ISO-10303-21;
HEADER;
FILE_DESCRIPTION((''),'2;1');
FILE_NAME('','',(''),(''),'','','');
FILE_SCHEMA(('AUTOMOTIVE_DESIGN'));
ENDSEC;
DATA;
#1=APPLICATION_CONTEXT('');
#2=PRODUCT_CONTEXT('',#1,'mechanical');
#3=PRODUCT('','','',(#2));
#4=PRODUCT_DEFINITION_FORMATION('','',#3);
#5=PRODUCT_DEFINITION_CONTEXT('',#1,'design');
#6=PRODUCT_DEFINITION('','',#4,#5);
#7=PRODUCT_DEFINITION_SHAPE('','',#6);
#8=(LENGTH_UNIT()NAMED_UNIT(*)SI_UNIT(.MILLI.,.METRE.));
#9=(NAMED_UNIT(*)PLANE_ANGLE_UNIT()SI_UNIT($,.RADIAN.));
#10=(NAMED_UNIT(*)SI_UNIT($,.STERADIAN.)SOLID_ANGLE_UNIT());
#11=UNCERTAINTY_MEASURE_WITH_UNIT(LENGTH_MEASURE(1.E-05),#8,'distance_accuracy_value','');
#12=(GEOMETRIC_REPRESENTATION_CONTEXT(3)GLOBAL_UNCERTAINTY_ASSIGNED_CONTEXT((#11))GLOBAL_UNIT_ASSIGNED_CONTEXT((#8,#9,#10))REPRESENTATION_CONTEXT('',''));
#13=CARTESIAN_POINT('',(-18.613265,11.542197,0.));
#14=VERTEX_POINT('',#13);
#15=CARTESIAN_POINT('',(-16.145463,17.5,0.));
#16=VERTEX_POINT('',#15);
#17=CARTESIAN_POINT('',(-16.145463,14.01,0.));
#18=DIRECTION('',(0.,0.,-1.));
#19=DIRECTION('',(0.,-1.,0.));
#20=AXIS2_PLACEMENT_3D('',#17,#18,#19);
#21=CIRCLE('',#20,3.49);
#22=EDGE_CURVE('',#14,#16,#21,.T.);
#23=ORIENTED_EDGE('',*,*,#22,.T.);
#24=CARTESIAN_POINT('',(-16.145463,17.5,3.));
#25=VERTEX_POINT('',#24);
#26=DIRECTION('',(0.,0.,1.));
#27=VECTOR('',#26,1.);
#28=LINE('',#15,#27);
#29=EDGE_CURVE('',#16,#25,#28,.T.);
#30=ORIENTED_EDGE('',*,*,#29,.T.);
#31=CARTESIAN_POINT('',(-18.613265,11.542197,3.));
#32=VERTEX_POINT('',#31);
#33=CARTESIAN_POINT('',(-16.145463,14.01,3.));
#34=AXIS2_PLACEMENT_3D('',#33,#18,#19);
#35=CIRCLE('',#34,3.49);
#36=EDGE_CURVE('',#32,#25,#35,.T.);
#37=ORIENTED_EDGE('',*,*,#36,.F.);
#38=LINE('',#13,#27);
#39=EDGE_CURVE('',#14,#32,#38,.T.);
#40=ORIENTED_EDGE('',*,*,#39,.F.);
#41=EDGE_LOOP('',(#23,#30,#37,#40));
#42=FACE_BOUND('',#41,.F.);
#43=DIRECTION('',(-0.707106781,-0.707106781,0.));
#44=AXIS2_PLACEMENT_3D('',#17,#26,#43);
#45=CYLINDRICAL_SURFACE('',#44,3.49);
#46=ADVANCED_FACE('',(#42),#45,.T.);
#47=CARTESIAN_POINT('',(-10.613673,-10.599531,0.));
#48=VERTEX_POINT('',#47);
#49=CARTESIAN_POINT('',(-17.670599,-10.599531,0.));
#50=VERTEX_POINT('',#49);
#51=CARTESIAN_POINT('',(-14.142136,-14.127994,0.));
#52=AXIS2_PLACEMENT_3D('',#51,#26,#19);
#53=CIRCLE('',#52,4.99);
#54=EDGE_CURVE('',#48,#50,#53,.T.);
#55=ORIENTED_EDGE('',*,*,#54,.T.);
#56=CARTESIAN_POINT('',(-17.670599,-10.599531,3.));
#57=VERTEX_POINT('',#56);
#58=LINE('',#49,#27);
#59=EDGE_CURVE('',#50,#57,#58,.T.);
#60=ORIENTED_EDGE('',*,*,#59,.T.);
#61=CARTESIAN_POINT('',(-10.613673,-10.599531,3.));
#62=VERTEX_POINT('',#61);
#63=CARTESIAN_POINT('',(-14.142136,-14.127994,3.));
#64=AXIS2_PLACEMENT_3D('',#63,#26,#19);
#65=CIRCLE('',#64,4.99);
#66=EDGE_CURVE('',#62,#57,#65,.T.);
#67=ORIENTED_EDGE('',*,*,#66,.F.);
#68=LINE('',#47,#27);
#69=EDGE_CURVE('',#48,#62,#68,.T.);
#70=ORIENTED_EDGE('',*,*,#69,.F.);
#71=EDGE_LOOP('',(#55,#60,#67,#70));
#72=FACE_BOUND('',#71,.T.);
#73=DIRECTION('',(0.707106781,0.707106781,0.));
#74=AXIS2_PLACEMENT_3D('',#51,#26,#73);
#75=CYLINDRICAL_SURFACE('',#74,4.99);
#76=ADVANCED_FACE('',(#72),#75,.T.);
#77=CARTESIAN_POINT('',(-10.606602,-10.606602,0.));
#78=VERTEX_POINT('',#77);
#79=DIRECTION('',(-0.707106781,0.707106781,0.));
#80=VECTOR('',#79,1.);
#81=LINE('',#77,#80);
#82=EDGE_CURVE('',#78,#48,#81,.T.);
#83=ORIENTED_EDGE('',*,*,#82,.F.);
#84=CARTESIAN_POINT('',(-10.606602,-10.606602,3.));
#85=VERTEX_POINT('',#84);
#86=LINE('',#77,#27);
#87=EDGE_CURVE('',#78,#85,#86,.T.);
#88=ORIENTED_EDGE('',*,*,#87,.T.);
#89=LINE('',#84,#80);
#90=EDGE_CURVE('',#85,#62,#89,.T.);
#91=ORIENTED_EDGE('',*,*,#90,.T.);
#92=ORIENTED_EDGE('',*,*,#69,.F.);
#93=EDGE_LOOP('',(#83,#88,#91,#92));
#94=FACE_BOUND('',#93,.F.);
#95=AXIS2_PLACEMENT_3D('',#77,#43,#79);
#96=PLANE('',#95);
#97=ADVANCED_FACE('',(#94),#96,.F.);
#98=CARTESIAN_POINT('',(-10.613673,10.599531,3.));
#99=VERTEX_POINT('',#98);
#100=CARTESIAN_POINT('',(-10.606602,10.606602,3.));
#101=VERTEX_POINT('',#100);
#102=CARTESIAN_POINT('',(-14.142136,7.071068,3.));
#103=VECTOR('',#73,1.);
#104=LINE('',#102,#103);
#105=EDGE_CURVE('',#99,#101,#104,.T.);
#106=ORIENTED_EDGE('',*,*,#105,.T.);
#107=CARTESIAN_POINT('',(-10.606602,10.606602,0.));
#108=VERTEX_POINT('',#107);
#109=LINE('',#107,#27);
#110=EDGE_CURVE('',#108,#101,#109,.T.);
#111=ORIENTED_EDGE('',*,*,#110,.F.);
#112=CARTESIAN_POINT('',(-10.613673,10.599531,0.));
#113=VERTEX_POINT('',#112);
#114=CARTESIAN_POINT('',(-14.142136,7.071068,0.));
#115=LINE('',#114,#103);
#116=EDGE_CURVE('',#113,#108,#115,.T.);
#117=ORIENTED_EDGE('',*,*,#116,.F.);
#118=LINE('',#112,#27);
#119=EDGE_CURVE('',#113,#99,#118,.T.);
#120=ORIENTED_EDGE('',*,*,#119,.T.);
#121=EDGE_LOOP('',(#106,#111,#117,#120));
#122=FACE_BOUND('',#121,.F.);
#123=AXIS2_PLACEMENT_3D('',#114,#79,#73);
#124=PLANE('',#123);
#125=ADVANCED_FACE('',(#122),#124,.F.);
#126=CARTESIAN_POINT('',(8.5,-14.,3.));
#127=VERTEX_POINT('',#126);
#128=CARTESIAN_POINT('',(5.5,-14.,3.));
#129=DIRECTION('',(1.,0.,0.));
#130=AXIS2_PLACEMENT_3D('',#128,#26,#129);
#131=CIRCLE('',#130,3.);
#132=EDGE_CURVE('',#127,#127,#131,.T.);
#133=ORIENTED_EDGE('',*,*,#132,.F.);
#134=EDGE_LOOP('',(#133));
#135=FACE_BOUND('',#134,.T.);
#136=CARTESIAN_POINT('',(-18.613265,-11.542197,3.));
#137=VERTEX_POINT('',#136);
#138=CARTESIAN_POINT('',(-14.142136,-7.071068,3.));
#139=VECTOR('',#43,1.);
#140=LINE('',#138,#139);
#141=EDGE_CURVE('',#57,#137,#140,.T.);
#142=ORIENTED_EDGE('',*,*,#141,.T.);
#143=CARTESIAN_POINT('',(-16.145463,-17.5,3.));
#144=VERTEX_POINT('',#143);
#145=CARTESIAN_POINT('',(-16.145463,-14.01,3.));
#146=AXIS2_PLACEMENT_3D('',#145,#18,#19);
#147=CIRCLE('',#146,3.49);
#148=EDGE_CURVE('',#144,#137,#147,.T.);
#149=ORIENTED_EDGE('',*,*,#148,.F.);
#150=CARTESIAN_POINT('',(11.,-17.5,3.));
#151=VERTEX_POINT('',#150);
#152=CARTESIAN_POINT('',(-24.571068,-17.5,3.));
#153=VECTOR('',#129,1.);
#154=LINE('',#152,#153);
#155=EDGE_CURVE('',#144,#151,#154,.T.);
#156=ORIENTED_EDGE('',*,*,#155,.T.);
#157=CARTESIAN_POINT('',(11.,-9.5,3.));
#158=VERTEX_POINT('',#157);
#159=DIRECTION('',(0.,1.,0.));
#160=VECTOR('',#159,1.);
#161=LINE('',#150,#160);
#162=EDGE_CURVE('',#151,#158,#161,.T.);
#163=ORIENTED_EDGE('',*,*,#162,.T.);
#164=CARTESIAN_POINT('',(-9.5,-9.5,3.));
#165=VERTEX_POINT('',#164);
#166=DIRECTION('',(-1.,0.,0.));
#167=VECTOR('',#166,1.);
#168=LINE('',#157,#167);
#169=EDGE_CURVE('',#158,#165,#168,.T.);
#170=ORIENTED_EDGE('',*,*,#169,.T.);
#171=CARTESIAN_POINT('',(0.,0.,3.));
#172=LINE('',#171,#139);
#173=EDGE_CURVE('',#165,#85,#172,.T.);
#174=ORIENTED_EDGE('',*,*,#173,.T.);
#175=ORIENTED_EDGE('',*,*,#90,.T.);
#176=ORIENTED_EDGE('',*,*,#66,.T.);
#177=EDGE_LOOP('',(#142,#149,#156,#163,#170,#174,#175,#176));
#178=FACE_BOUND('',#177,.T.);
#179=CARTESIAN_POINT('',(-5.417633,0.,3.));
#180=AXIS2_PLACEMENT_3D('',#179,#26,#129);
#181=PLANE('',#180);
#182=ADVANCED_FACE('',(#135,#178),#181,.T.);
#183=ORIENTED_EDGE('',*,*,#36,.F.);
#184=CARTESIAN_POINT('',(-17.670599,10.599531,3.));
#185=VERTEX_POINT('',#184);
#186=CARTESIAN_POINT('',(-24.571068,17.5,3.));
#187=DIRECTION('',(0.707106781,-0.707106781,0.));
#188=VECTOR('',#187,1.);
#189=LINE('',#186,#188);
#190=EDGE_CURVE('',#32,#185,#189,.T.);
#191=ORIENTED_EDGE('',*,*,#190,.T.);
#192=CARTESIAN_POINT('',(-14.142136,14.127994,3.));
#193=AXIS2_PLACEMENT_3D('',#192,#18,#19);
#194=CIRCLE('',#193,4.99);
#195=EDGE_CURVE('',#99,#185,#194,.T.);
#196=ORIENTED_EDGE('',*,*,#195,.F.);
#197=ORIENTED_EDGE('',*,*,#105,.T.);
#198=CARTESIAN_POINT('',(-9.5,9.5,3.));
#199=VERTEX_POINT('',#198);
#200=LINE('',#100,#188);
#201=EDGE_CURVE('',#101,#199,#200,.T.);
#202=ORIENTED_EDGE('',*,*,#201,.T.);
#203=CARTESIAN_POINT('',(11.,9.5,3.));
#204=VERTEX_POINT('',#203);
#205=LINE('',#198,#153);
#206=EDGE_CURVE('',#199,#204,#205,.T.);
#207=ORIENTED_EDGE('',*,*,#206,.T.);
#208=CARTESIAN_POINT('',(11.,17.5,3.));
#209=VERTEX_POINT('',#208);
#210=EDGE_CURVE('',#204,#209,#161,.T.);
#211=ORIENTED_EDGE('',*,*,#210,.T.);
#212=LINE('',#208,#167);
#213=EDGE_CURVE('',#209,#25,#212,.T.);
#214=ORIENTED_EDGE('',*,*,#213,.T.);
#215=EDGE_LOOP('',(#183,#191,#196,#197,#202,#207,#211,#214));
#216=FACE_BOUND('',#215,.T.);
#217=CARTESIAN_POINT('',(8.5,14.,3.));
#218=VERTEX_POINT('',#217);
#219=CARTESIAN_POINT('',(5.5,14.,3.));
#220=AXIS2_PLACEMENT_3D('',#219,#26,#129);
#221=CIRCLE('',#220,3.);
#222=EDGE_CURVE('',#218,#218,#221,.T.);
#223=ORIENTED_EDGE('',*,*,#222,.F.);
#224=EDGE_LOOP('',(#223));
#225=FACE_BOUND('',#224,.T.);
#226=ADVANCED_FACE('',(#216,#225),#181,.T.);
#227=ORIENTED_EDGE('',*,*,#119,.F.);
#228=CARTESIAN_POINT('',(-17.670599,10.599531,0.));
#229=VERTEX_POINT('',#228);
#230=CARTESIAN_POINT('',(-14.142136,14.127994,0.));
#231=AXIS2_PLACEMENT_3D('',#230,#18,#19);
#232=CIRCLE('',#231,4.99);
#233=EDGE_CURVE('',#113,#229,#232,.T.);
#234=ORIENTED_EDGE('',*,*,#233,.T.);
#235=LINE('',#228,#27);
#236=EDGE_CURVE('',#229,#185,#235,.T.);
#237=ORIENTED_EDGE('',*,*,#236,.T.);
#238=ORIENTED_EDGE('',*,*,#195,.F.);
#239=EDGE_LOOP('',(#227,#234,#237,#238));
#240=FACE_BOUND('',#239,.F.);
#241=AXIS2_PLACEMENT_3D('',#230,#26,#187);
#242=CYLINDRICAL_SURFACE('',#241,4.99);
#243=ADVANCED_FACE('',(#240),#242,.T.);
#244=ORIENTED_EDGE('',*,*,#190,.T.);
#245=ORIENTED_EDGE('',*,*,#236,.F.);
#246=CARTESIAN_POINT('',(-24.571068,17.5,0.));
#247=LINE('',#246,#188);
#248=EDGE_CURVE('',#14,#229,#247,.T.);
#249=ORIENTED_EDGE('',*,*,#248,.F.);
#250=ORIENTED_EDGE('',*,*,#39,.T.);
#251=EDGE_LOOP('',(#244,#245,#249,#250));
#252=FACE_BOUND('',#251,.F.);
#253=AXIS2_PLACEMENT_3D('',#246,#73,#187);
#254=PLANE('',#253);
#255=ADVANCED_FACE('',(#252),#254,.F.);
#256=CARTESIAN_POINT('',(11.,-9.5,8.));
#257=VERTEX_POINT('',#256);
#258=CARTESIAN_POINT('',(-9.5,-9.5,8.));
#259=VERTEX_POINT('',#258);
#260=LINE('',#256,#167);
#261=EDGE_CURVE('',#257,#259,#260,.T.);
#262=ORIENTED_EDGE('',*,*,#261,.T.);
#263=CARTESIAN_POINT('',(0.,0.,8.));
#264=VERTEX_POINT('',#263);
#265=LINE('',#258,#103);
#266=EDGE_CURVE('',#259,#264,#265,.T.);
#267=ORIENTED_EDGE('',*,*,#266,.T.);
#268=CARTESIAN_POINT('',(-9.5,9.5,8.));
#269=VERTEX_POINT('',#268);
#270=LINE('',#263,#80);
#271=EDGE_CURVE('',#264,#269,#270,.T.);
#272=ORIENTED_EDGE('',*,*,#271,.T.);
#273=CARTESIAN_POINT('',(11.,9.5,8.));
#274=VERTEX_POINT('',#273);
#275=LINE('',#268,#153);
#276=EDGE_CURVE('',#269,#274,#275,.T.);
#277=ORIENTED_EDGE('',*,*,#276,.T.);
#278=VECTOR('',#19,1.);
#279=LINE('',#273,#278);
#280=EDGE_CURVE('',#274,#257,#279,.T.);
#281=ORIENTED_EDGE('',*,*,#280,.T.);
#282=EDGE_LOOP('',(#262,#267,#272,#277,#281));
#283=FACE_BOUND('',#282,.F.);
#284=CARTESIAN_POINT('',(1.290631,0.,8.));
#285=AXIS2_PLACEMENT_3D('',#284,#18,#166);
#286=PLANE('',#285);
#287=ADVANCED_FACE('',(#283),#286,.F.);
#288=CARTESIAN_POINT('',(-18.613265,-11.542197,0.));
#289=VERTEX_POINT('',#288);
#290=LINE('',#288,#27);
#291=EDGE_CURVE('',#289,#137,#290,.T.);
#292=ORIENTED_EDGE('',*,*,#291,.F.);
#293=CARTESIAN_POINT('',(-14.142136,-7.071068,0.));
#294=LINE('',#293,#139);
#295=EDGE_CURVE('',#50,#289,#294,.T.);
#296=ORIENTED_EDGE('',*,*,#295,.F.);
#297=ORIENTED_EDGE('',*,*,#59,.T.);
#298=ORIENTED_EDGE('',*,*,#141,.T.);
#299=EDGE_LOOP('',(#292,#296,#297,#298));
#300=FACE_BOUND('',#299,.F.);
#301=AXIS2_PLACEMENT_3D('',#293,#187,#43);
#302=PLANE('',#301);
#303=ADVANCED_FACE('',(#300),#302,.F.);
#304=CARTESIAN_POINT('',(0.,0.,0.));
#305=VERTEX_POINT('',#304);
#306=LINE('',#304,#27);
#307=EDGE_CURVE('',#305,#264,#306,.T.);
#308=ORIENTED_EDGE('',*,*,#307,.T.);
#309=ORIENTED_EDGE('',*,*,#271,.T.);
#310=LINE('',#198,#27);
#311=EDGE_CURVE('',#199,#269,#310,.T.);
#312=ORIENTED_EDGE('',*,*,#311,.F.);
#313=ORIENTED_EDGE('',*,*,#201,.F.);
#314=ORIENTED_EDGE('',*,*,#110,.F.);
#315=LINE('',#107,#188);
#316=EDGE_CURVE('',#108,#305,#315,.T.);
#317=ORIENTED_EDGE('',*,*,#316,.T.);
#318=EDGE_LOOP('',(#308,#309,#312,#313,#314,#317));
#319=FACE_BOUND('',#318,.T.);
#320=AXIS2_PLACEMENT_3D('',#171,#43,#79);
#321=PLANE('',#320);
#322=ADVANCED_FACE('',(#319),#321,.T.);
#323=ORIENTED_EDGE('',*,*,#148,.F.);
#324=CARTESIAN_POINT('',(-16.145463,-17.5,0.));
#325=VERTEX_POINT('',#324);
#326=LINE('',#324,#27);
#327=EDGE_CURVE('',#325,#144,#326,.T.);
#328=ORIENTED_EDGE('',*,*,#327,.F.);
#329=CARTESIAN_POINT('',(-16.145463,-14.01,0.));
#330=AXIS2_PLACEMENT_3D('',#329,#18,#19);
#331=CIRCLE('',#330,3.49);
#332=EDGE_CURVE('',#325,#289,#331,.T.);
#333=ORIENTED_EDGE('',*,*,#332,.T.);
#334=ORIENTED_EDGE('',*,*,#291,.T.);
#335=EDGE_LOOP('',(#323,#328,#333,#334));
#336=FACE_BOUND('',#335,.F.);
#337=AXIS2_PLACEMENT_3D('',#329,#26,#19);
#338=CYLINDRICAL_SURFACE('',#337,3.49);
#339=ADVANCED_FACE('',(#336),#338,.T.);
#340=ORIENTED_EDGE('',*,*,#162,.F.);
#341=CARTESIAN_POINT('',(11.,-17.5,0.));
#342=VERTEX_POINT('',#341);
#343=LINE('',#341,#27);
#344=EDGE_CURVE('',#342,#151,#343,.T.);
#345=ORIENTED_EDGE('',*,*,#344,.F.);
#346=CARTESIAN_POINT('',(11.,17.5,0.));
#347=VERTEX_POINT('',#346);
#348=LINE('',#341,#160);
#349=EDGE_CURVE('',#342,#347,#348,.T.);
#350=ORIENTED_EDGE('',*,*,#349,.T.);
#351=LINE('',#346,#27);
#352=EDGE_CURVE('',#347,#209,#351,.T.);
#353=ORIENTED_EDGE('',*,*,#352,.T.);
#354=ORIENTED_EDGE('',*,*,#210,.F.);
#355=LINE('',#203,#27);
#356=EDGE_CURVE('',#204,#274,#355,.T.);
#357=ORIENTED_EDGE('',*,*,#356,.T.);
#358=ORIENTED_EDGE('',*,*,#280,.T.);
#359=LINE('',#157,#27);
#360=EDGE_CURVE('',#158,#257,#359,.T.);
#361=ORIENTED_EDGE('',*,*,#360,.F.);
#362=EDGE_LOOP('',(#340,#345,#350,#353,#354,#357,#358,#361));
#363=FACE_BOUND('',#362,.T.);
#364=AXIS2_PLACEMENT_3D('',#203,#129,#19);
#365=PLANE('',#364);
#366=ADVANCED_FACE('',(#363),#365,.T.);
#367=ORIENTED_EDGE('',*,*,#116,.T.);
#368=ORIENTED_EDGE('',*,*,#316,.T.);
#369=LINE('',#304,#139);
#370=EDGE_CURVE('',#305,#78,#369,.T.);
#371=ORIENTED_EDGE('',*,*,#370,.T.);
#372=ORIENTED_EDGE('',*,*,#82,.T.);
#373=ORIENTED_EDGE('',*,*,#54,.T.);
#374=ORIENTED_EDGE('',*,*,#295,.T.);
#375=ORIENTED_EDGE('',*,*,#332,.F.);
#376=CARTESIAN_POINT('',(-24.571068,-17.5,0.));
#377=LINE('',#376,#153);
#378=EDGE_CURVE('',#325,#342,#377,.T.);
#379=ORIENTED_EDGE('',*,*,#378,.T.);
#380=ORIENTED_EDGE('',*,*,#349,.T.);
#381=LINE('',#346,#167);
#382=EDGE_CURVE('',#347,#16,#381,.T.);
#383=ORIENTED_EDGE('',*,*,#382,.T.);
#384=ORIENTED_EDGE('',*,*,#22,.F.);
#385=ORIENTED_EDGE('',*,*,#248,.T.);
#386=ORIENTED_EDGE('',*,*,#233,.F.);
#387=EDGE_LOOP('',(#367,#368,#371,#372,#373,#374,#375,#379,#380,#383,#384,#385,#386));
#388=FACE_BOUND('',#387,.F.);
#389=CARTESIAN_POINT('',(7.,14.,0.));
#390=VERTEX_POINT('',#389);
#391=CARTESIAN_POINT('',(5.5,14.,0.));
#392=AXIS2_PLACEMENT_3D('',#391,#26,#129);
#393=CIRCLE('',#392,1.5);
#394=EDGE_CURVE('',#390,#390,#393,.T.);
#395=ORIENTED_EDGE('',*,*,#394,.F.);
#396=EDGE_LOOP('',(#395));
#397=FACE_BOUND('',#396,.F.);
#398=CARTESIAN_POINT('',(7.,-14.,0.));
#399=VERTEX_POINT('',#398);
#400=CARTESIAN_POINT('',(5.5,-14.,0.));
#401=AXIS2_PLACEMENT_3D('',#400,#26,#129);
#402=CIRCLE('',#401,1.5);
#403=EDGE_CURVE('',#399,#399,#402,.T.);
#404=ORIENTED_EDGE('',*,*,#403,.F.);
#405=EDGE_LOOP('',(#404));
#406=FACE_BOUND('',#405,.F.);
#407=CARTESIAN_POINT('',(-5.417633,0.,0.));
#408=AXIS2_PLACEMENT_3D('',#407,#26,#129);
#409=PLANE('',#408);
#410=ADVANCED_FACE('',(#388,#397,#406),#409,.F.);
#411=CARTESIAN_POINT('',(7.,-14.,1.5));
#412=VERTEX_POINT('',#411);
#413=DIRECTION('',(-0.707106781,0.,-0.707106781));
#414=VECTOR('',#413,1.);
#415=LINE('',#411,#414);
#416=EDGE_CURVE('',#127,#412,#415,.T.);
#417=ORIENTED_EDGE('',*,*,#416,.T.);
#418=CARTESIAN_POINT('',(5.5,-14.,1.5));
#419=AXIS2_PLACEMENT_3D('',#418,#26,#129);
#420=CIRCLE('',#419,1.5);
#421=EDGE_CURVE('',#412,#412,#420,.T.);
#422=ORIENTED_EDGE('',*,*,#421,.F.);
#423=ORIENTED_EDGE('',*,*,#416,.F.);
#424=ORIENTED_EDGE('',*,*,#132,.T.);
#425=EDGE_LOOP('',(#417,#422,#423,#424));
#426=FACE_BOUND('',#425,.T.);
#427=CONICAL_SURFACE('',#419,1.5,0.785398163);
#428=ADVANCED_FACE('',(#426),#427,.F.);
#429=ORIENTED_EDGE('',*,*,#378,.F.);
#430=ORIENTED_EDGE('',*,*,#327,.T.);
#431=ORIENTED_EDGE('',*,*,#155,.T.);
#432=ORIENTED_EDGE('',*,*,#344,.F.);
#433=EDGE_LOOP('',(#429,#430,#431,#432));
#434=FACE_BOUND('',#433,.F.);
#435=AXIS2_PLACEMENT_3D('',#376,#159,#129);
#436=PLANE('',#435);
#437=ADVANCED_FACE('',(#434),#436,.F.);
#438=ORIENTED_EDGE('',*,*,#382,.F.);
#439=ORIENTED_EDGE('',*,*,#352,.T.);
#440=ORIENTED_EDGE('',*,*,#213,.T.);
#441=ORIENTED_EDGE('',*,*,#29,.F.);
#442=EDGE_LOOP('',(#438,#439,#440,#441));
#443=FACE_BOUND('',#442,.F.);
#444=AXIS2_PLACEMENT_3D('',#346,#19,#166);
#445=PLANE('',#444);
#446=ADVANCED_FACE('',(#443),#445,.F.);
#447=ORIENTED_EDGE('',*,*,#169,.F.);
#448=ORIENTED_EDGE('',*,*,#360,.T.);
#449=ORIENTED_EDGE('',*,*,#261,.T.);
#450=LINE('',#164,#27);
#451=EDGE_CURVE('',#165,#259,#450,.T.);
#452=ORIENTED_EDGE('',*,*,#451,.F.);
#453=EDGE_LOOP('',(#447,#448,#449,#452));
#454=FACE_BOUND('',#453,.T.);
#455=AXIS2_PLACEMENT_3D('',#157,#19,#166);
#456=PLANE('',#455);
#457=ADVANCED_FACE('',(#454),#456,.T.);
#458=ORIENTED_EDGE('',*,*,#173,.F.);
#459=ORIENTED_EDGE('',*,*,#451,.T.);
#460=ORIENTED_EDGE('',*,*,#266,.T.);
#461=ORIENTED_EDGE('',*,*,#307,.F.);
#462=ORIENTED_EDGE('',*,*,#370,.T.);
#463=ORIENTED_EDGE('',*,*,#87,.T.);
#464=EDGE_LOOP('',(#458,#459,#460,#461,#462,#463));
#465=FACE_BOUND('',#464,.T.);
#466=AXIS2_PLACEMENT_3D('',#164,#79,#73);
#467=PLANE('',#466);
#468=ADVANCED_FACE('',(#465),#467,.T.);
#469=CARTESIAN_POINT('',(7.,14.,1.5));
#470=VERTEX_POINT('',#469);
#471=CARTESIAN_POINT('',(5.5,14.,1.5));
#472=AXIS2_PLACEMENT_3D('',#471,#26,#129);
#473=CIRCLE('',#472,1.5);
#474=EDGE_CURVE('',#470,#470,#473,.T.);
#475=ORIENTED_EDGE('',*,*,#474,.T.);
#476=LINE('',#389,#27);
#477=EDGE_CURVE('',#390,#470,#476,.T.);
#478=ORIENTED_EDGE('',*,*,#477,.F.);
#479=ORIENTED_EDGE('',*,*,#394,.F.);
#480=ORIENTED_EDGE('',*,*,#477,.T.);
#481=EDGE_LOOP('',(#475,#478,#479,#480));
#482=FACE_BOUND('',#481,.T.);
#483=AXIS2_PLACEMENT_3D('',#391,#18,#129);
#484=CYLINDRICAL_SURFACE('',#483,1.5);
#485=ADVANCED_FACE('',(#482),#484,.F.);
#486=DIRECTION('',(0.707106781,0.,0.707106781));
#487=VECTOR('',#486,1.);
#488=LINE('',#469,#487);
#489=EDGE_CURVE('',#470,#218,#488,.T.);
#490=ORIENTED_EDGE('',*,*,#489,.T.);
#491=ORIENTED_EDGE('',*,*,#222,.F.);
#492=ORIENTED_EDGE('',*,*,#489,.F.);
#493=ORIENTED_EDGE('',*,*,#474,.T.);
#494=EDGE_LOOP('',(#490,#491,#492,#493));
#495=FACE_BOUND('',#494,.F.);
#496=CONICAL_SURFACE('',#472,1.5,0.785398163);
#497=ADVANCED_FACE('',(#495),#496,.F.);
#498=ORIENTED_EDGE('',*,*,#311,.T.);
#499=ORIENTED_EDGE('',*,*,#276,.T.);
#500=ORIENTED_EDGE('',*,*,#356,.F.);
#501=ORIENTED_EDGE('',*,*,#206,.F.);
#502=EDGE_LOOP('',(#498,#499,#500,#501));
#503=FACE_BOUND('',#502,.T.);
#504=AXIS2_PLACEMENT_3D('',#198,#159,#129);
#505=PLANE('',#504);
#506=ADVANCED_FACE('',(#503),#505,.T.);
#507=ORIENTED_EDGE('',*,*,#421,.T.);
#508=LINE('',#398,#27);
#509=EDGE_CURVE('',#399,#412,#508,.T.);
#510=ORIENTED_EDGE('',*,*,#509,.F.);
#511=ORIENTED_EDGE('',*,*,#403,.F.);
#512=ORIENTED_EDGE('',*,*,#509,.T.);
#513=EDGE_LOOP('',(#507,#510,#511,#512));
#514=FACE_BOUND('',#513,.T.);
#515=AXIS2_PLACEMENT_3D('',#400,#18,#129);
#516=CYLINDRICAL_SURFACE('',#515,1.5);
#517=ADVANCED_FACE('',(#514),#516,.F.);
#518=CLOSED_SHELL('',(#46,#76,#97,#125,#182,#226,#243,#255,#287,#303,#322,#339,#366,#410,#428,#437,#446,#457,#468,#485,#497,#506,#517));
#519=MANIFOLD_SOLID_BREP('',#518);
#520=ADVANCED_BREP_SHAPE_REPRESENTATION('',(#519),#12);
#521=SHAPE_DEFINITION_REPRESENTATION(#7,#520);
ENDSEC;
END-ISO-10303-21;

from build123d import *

# Parameters (mm, degrees)
SKETCH_R     = 1.5
PAD_DEPTH    = 3
FILLET_R     = 4.99
FILLET001_R  = 3.49
PAD001_DEPTH = 5
CHAMFER_SIZE = 1.5


with BuildPart() as part:
    # Sketch → Pad (new body)
    with BuildSketch(Plane.XY):
        Polygon((-10.606602, 10.606602), (0, 0), (-10.606602, -10.606602), (-14.142136, -7.071068), (-24.571068, -17.5), (11, -17.5), (11, 17.5), (-24.571068, 17.5), (-14.142136, 7.071068), align=None)
        with Locations((5.5, 14)):
            Circle(SKETCH_R, mode=Mode.SUBTRACT)
        with Locations((5.5, -14)):
            Circle(SKETCH_R, mode=Mode.SUBTRACT)
    extrude(amount=PAD_DEPTH)

    # Fillet
    fillet_edges = [part.edges().sort_by_distance(p)[0] for p in [
        (-14.142136, -7.071068, 1.5),
        (-14.142136, 7.071068, 1.5),
    ]]
    fillet(fillet_edges, radius=FILLET_R)

    # Fillet001
    fillet001_edges = [part.edges().sort_by_distance(p)[0] for p in [
        (-24.571068, -17.5, 1.5),
        (-24.571068, 17.5, 1.5),
    ]]
    fillet(fillet001_edges, radius=FILLET001_R)

    # Sketch001 (on Face17 of Fillet001) → Pad001 (join)
    with BuildSketch(Plane.XY.offset(3)):
        Polygon((-9.5, 9.5), (11, 9.5), (11, -9.5), (-9.5, -9.5), (0, 0), align=None)
    extrude(amount=PAD001_DEPTH)

    # Chamfer
    chamfer_edges = [part.edges().sort_by_distance(p)[0] for p in [
        (4, -14, 3),
        (4, 14, 3),
    ]]
    chamfer(chamfer_edges, length=CHAMFER_SIZE)


solid = part.part
